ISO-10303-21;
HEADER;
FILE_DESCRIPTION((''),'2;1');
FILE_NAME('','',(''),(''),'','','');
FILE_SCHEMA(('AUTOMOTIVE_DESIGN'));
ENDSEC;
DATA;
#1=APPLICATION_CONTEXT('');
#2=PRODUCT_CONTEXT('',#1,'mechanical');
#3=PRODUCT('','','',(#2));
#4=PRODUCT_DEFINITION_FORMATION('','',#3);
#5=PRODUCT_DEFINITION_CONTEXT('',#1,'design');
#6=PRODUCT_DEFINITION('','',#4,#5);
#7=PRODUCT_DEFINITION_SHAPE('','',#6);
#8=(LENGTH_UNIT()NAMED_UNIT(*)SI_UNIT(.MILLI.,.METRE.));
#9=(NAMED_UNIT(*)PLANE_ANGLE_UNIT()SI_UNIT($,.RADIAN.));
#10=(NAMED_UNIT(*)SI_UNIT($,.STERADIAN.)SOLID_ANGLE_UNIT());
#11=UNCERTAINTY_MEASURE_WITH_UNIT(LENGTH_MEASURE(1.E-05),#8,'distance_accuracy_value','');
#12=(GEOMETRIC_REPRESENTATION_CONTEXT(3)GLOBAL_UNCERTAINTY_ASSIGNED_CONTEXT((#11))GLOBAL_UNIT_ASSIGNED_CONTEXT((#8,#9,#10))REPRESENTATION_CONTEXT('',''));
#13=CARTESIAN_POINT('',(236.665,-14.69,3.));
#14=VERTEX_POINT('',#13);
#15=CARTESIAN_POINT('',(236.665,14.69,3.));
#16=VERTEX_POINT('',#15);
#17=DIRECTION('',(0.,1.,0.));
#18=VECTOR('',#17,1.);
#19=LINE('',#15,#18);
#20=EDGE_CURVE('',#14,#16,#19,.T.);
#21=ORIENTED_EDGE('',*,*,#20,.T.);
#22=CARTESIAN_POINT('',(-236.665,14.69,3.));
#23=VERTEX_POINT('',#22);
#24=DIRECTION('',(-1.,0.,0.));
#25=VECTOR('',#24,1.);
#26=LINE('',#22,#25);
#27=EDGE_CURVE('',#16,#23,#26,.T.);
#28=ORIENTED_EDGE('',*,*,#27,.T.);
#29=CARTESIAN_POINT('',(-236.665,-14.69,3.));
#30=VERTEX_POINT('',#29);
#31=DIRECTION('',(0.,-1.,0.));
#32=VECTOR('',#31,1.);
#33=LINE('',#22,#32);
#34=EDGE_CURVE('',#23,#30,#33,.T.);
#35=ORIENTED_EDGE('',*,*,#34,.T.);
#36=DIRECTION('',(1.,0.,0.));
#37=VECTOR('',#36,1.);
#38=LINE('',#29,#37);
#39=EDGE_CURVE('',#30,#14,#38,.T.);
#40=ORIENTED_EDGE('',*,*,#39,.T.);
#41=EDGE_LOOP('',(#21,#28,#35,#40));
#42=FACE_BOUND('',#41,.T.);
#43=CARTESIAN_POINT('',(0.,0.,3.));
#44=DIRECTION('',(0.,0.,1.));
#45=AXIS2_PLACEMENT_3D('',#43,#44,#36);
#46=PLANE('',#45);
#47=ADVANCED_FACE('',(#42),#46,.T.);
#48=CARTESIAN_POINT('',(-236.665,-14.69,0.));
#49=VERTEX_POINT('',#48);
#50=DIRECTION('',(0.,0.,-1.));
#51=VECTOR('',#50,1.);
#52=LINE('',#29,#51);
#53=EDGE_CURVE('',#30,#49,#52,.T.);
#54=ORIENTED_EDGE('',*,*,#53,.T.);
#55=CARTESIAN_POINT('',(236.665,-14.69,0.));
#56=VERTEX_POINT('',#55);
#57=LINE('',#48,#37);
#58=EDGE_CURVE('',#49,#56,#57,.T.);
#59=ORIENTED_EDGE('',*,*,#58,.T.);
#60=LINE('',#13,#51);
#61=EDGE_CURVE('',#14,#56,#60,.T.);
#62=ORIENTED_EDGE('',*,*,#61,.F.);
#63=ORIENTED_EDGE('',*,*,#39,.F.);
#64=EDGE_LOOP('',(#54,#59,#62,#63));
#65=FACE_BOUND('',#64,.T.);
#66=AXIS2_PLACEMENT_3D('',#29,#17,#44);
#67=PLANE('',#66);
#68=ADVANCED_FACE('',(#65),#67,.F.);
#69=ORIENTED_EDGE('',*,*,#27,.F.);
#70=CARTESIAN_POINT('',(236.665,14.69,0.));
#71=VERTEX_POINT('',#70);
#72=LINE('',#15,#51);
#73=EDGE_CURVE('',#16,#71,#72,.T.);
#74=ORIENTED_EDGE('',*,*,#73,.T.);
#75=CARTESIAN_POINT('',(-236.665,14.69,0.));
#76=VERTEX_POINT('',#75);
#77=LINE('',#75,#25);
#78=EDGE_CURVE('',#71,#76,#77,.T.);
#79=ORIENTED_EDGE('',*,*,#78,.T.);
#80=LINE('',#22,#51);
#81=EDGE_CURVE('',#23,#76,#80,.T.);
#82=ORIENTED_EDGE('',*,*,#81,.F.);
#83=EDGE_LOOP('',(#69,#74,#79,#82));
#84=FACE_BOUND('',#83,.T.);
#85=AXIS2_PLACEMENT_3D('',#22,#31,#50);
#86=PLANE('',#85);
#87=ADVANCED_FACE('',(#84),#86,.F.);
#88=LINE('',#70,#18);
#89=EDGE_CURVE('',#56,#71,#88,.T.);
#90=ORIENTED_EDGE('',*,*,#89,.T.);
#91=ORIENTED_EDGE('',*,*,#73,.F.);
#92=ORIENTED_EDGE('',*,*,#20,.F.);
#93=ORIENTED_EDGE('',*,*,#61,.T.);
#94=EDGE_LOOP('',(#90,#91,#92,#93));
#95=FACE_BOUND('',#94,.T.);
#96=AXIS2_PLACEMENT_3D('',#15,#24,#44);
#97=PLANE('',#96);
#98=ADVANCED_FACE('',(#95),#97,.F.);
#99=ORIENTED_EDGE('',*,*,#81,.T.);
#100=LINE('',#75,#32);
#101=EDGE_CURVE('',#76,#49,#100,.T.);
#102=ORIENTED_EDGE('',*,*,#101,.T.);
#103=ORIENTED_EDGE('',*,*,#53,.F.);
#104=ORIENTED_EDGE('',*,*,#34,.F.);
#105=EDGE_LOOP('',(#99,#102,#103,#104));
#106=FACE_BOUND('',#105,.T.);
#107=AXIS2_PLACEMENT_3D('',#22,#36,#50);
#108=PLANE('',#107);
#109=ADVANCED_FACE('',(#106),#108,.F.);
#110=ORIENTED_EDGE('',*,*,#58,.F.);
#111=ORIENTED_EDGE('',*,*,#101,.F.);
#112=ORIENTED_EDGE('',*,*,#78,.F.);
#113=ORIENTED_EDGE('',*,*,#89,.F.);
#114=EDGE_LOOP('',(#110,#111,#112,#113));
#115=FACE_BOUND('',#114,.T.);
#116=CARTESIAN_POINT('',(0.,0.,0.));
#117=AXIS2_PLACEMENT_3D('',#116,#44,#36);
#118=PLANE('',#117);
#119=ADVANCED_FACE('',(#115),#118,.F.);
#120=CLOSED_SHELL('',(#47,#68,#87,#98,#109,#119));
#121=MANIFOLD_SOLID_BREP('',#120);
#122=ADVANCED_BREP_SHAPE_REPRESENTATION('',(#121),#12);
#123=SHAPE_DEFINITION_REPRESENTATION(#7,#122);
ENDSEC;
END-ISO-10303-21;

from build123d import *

# Parameters (mm, degrees)
SKETCH_1_W      = 473.33
SKETCH_1_H      = 29.38
EXTRUDE_1_DEPTH = 3


with BuildPart() as part:
    # 草图1 → 凸台-拉伸1 (new body)
    with BuildSketch(Plane.XY):
        Rectangle(SKETCH_1_W, SKETCH_1_H)
    extrude(amount=EXTRUDE_1_DEPTH)


solid = part.part
